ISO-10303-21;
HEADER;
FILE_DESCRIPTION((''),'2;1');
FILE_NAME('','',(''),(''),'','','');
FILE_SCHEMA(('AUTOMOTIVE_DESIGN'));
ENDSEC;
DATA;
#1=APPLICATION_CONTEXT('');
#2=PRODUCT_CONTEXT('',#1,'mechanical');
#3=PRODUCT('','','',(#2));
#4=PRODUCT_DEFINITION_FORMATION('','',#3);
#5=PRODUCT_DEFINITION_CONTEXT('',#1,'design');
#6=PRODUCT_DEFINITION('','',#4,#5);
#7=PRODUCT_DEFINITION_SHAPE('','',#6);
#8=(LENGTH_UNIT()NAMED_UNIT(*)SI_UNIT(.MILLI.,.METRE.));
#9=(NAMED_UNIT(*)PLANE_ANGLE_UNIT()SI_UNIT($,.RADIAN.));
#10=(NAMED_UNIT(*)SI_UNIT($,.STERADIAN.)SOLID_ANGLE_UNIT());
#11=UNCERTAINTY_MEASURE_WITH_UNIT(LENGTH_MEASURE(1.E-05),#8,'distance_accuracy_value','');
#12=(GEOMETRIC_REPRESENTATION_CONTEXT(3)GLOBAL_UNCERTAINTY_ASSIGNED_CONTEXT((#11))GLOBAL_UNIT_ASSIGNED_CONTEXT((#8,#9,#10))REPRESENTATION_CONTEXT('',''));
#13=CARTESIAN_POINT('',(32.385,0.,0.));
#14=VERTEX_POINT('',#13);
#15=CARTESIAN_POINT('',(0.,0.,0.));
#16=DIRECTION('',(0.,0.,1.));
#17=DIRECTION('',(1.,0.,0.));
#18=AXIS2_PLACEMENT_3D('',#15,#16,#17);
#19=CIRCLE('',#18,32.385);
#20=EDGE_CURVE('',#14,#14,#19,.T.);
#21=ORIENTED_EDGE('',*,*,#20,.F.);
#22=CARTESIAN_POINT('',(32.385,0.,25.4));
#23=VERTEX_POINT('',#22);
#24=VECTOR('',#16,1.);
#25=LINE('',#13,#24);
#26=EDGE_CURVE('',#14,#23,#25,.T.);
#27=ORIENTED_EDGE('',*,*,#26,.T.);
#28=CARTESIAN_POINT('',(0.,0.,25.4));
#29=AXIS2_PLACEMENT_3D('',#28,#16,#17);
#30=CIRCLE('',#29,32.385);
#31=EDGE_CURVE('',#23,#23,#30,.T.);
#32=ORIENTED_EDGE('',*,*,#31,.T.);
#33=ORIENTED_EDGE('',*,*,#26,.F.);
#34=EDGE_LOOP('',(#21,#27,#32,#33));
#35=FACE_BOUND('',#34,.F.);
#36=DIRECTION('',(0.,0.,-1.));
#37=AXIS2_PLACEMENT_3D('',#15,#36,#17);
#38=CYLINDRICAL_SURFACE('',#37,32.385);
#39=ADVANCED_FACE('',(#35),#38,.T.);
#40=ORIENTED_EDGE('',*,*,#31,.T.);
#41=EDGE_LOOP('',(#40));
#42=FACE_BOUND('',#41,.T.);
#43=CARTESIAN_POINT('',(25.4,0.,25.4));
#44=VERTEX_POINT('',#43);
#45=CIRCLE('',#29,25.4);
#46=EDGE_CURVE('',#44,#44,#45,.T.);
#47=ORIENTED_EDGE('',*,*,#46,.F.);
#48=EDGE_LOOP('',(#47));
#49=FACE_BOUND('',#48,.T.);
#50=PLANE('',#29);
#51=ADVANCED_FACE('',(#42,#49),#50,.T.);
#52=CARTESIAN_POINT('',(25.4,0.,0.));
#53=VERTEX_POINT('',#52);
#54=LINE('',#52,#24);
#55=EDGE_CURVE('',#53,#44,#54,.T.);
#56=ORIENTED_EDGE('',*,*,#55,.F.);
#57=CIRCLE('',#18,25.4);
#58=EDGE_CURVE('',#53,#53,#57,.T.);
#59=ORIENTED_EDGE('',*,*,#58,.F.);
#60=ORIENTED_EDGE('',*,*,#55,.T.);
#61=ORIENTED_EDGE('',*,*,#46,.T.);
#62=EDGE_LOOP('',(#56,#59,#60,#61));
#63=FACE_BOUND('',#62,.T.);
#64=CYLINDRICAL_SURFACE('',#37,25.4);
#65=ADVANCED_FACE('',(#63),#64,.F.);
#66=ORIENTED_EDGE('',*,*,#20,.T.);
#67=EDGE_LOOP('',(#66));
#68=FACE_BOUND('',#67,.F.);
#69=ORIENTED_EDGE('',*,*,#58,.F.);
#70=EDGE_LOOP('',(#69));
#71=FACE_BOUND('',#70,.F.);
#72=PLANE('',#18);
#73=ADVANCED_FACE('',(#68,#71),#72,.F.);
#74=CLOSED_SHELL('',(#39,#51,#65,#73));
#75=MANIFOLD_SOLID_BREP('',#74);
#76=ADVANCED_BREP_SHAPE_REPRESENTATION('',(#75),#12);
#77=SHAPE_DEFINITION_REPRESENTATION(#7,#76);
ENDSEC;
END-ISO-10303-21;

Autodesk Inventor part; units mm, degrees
ref_plane "YZ Plane" through (0, 0, 0) normal (1, 0, 0) x (0, 1, 0)
ref_plane "XZ Plane" through (0, 0, 0) normal (0, 1, 0) x (-1, 0, 0)
ref_plane "XY Plane" through (0, 0, 0) normal (0, 0, 1) x (1, 0, 0)
sketch "Sketch1" plane through (0, 0, 0) normal (0, 0, 1) x (1, 0, 0)
  circle A0 centre (0, 0) radius 32.385
  circle A1 centre (0, 0) radius 25.4
  dimension "d0" = 64.77
  dimension "d1" = 50.8
extrude "Extrusion1" add sketch "Sketch1" along normal blind 25.4
properties part number "Tire" material "Rubber"
